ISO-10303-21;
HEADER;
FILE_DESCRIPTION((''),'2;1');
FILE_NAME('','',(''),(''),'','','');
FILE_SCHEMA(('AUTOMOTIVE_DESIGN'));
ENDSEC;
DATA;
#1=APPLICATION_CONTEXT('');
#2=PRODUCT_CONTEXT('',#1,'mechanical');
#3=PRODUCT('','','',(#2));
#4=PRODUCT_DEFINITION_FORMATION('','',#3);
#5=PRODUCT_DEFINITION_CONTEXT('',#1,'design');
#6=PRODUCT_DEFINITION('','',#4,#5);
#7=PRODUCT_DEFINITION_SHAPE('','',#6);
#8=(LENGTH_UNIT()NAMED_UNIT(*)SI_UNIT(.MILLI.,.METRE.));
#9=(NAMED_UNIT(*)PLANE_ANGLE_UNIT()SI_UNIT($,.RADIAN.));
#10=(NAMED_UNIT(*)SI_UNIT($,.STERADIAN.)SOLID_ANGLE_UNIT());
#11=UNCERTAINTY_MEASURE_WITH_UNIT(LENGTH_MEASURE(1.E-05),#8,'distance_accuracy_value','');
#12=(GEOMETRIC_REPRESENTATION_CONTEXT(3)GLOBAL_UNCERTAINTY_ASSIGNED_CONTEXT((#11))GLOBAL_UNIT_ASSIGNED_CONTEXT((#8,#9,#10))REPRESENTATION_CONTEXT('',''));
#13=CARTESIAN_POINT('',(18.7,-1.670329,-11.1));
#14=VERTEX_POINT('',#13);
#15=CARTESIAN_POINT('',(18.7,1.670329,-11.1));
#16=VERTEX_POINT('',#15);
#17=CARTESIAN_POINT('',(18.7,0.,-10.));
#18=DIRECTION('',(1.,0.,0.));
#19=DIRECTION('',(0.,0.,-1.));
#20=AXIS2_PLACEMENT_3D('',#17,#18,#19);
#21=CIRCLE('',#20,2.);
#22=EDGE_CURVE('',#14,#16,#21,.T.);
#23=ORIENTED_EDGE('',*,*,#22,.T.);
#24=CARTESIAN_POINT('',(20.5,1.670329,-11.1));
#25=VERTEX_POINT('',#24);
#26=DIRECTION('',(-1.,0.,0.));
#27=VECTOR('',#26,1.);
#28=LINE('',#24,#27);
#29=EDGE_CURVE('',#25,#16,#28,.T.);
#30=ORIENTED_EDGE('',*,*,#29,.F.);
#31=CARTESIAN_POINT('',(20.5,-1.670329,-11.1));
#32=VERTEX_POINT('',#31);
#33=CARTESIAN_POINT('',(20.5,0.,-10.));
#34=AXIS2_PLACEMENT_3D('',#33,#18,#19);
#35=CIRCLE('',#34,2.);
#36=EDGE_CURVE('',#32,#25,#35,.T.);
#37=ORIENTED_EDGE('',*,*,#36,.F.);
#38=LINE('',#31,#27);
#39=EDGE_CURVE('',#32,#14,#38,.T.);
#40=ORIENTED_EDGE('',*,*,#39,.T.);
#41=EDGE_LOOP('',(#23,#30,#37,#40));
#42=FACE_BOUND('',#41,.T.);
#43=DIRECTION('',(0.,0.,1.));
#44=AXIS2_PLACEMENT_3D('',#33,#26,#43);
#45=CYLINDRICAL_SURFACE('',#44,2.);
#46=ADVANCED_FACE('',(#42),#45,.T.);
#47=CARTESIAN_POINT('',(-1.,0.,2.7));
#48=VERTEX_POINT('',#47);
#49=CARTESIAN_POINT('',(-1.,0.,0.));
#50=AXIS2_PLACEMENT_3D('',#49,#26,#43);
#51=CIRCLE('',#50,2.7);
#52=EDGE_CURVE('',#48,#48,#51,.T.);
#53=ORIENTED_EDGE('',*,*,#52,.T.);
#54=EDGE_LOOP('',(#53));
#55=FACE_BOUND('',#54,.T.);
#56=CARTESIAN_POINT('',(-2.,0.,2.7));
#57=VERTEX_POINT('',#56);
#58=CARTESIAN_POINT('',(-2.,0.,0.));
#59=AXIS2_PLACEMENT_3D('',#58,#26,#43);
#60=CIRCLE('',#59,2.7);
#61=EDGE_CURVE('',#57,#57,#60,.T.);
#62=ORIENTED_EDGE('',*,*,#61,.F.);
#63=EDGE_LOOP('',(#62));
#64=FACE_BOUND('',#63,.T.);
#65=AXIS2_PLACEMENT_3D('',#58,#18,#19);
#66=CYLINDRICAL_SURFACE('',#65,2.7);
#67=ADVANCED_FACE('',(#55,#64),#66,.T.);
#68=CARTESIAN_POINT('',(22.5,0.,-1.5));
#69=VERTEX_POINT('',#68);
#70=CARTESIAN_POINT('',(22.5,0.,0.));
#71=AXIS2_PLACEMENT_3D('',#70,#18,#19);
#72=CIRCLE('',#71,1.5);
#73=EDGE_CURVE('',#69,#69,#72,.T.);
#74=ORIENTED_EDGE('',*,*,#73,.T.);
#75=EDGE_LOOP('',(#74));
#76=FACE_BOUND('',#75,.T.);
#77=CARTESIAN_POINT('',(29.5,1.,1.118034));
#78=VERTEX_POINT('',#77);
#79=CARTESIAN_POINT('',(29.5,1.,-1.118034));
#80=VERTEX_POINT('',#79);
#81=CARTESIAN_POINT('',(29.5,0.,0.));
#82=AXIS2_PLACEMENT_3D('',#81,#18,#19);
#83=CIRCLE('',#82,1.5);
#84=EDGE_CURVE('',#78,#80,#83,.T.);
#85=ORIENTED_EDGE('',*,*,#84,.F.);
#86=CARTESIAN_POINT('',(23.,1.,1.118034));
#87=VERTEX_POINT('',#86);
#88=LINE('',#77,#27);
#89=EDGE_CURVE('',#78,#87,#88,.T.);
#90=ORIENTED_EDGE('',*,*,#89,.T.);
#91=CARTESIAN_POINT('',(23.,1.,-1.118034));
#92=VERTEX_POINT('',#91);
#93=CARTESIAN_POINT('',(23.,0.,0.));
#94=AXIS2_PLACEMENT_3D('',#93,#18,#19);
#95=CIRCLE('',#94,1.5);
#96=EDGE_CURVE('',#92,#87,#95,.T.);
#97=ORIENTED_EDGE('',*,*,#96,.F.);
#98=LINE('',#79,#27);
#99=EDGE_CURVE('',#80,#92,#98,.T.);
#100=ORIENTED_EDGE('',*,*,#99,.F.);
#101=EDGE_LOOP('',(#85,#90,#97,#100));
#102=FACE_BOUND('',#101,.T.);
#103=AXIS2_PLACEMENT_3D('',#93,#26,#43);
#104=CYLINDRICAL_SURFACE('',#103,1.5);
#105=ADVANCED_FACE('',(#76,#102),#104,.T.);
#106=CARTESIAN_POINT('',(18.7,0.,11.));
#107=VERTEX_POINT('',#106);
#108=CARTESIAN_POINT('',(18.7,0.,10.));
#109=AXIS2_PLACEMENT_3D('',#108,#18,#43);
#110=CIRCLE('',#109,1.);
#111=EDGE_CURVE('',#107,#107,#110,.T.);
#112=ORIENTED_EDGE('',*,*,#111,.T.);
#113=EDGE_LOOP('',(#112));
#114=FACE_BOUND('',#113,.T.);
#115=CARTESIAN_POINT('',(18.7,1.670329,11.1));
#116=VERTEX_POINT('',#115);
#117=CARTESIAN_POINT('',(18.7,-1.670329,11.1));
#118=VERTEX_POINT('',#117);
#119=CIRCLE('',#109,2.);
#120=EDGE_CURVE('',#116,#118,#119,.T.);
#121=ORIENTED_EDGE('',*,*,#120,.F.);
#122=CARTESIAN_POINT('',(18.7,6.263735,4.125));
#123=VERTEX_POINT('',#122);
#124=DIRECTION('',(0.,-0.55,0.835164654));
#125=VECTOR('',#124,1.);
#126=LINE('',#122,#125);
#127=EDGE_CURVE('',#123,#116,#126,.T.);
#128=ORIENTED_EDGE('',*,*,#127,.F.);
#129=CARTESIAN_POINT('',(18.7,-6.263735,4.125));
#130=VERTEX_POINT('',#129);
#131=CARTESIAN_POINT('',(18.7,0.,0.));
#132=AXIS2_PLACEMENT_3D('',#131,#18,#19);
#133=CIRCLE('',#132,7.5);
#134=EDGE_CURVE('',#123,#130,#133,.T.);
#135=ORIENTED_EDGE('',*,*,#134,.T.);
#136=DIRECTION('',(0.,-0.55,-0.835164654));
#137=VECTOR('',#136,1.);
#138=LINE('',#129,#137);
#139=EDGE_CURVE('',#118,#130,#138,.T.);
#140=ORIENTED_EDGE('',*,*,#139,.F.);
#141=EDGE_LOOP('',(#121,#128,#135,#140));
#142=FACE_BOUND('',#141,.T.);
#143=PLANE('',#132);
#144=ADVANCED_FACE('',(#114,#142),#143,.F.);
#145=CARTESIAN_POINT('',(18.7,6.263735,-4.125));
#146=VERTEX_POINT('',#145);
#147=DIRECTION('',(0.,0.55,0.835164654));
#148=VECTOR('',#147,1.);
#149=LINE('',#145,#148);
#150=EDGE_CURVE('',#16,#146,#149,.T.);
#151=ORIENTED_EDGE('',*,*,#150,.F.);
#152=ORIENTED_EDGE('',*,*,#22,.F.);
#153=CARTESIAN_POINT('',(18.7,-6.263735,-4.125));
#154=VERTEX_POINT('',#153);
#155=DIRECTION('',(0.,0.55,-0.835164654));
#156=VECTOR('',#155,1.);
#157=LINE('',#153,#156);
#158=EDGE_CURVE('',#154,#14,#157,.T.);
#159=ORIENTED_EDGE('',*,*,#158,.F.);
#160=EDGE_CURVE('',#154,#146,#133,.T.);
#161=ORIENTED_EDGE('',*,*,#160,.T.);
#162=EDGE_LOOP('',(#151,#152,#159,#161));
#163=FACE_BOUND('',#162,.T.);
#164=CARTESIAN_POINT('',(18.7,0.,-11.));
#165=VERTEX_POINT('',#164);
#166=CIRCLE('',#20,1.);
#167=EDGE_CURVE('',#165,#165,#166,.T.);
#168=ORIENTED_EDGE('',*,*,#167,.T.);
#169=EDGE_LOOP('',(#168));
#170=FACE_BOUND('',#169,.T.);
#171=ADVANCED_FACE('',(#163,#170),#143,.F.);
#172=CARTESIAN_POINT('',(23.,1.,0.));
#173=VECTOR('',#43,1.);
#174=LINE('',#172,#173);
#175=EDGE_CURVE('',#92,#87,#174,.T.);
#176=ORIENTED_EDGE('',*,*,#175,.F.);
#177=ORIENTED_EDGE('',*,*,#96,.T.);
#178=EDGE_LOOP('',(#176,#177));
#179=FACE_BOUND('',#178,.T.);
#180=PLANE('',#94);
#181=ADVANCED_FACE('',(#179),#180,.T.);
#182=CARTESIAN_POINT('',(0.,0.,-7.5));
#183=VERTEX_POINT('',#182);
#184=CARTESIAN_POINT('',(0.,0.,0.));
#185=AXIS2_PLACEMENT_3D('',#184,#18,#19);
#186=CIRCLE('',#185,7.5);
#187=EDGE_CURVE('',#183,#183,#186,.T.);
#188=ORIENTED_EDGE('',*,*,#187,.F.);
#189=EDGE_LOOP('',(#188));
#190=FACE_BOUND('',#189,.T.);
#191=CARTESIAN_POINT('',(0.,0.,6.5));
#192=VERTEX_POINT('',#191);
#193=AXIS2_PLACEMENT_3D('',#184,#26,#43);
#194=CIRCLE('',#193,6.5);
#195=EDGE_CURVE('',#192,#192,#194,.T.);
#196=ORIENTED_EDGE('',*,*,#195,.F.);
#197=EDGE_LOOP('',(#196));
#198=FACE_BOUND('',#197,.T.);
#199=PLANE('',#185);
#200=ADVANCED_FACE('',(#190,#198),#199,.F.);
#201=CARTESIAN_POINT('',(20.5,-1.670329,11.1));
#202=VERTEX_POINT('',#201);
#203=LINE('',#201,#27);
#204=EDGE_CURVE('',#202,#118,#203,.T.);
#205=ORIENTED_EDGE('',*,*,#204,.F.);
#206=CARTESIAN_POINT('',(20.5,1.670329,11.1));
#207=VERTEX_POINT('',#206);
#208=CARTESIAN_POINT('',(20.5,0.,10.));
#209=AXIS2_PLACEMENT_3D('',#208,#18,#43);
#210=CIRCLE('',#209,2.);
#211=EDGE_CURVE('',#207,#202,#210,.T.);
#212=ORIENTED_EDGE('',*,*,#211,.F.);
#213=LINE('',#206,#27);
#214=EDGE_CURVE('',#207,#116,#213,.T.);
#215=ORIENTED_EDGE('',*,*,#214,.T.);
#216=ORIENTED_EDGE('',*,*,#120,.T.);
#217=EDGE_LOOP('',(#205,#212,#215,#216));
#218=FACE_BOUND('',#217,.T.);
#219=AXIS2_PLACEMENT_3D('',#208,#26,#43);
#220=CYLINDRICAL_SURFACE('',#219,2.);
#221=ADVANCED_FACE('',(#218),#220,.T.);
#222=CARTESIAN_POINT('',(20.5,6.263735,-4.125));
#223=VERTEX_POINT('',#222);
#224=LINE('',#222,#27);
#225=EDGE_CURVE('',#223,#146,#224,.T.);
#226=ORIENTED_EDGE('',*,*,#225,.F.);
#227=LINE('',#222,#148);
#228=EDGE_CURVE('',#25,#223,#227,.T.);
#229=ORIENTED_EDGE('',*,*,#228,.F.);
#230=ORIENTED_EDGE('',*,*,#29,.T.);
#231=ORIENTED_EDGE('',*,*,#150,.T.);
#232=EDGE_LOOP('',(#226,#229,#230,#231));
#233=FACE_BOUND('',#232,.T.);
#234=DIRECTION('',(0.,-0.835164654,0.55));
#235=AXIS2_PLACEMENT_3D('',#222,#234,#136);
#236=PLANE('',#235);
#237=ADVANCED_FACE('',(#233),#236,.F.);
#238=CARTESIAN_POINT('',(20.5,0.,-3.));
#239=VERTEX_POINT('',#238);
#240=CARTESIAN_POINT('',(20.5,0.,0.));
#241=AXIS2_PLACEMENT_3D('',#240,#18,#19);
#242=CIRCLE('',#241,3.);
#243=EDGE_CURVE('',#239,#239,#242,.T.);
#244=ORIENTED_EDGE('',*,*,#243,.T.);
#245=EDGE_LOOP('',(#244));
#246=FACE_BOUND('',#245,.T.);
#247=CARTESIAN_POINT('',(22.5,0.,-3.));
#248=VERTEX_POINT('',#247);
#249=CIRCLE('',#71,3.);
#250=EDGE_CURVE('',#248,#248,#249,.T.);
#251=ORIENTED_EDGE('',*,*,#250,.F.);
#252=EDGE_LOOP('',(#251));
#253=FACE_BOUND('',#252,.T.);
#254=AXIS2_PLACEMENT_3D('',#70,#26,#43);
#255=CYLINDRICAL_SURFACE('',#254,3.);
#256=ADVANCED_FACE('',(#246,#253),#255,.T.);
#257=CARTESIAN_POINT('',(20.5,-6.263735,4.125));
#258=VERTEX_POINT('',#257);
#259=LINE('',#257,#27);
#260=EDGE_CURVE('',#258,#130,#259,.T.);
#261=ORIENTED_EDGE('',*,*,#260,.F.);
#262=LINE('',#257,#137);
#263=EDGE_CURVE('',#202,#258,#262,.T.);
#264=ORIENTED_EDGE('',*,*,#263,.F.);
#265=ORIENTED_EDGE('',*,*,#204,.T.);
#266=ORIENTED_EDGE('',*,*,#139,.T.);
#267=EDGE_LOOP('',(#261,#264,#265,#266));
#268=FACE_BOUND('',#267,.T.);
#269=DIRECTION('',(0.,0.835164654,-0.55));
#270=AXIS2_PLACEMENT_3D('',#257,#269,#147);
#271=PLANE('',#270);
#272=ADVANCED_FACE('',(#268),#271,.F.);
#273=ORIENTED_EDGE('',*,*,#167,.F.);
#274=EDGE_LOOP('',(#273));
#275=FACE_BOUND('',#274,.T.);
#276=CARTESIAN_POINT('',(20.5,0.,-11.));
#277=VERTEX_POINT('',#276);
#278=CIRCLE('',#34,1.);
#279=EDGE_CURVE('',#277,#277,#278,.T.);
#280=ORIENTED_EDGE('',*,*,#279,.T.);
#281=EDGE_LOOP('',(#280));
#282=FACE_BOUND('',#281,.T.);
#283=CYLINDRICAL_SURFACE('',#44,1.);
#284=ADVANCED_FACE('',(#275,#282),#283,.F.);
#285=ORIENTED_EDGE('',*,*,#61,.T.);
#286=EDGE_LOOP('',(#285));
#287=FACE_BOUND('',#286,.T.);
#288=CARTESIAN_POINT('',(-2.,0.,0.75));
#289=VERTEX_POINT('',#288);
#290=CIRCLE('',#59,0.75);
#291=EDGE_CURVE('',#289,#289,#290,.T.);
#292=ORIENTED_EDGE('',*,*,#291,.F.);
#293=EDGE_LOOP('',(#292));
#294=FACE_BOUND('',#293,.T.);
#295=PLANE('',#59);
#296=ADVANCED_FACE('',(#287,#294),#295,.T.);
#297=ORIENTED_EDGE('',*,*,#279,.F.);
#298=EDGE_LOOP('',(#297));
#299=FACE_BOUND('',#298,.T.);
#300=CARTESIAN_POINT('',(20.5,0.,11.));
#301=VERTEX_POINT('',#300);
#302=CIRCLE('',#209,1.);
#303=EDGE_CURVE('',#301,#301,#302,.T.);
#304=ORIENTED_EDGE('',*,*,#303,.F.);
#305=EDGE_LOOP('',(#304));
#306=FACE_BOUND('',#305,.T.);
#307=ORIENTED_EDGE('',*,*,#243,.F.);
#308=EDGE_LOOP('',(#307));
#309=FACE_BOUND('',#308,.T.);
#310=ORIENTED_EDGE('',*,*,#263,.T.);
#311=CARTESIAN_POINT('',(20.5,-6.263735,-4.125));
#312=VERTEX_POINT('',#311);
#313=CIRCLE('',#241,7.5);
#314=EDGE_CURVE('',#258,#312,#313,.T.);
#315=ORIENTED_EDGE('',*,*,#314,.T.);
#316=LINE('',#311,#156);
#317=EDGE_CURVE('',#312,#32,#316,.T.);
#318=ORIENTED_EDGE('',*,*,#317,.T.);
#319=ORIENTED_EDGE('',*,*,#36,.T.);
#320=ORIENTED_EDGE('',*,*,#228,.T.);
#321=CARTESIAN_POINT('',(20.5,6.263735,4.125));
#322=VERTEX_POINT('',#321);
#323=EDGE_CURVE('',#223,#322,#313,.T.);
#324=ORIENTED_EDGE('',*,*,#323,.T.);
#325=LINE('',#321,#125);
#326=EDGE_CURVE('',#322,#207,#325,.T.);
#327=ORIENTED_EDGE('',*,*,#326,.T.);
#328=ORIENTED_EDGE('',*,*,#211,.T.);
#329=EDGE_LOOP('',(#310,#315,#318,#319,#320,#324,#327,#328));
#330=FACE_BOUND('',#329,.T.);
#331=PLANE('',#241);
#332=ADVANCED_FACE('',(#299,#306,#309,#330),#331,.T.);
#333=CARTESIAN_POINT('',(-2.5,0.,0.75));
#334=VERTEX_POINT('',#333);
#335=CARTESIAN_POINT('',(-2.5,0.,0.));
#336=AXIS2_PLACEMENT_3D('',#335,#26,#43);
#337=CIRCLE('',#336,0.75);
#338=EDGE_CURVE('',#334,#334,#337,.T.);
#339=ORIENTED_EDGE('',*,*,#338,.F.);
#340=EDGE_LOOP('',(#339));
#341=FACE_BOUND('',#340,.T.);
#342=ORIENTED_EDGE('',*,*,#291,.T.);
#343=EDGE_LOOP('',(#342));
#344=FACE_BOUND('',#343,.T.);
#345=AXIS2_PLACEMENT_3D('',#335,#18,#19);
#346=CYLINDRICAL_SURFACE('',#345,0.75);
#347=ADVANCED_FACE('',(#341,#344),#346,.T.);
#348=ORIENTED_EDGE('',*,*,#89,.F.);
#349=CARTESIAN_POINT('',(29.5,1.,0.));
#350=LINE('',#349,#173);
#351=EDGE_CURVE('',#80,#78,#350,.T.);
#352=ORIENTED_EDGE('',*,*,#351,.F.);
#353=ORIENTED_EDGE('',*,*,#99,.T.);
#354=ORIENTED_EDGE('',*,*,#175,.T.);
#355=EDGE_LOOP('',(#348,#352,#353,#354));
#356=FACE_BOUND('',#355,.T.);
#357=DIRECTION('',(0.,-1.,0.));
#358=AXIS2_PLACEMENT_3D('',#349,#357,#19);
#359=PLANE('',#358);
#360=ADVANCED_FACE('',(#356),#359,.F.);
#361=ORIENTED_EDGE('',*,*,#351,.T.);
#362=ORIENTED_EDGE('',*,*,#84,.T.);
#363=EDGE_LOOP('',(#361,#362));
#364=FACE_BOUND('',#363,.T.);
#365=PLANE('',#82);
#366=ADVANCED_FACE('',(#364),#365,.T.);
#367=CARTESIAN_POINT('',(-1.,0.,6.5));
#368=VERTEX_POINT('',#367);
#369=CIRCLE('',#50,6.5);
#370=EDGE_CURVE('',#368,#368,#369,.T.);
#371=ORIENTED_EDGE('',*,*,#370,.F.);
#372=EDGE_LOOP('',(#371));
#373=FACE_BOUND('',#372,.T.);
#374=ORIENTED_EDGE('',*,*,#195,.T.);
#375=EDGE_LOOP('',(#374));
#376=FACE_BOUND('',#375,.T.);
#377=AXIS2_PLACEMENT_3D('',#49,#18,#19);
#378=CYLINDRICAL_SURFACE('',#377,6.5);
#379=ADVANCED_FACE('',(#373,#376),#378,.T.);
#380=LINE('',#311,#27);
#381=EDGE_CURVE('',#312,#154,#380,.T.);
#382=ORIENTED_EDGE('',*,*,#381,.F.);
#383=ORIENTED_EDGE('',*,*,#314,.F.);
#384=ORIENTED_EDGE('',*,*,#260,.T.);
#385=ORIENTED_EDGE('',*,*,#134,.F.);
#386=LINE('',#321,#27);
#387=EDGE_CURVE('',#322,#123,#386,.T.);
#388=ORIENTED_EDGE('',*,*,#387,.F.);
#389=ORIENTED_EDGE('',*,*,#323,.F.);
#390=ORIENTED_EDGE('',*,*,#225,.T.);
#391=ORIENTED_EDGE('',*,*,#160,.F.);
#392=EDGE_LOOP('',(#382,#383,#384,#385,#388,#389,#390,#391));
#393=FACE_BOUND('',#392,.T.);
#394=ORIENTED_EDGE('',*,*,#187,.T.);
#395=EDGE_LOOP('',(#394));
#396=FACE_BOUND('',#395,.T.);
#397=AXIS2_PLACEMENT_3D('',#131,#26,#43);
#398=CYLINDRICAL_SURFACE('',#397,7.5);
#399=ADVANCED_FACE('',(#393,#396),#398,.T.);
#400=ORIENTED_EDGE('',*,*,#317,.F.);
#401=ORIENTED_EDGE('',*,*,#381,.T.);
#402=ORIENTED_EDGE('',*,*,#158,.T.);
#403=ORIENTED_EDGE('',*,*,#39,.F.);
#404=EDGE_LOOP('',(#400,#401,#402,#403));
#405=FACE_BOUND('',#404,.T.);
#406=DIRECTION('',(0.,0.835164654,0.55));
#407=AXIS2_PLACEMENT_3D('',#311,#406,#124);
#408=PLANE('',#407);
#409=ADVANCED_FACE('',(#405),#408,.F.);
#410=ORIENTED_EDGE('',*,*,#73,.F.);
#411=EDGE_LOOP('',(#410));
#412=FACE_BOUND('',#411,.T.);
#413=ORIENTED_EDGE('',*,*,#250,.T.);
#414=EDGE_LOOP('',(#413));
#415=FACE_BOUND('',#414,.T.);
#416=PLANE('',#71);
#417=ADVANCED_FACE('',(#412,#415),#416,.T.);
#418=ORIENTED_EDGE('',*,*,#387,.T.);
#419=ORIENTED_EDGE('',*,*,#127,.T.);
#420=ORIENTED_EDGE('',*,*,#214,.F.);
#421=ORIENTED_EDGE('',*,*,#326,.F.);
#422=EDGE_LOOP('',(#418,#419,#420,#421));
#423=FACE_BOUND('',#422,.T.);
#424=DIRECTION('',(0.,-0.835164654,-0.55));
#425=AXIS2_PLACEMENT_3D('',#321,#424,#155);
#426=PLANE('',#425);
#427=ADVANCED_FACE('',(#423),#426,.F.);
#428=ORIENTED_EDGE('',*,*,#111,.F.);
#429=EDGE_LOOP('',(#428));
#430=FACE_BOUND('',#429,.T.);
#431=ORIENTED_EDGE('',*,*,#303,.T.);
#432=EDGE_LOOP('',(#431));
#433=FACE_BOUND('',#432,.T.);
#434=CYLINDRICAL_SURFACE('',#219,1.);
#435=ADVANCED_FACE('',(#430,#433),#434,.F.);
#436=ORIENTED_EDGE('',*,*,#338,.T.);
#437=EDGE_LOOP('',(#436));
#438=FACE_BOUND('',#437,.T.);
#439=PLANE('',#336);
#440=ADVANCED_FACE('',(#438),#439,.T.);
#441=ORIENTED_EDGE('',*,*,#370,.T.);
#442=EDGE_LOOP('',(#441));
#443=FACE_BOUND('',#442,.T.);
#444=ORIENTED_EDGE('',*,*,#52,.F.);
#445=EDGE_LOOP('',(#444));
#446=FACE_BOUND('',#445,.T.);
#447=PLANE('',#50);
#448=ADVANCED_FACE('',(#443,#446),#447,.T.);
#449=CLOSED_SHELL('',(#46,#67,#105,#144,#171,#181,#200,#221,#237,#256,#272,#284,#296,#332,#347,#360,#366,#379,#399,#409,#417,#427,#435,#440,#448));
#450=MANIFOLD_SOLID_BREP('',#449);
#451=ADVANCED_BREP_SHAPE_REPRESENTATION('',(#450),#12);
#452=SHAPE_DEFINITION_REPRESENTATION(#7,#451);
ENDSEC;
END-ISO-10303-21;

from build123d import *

# Parameters (mm, degrees)
SKETCH_1_R      = 7.5
EXTRUDE_1_DEPTH = 18.7
SKETCH_2_R      = 1
EXTRUDE_2_DEPTH = 1.8
SKETCH_3_R      = 6.5
EXTRUDE_3_DEPTH = 1
SKETCH_4_R      = 2.7
EXTRUDE_4_DEPTH = 1
SKETCH_5_R      = 0.75
EXTRUDE_5_DEPTH = 0.5
SKETCH_6_R      = 3
EXTRUDE_6_DEPTH = 2
SKETCH_7_R      = 1.5
EXTRUDE_7_DEPTH = 0.5
EXTRUDE_8_DEPTH = 6.5


with BuildPart() as part:
    # 草图1 → 凸台-拉伸1 (new body)
    with BuildSketch(Plane(origin=(0, 0, 0), x_dir=(0, 0, -1), z_dir=(1, 0, 0))):
        Circle(SKETCH_1_R)
    extrude(amount=EXTRUDE_1_DEPTH)

    # 草图2 → 凸台-拉伸2 (add)
    with BuildSketch(Plane(origin=(18.7, 0, 0), x_dir=(0, 0, -1), z_dir=(1, 0, 0))):
        with BuildLine():
            Line((4.125, 6.263734908), (11.1, 1.670329309))
            ThreePointArc((11.1, 1.670329309), (12, 0), (11.1, -1.670329309))
            Line((11.1, -1.670329309), (4.125, -6.263734908))
            ThreePointArc((4.125, -6.263734908), (0, -7.5), (-4.125, -6.263734908))
            Line((-4.125, -6.263734908), (-11.1, -1.670329309))
            ThreePointArc((-11.1, -1.670329309), (-12, 0), (-11.1, 1.670329309))
            Line((-11.1, 1.670329309), (-4.125, 6.263734908))
            ThreePointArc((-4.125, 6.263734908), (0, 7.5), (4.125, 6.263734908))
        make_face()
        with Locations((10, 0)):
            Circle(SKETCH_2_R, mode=Mode.SUBTRACT)
        with Locations((-10, 0)):
            Circle(SKETCH_2_R, mode=Mode.SUBTRACT)
    extrude(amount=EXTRUDE_2_DEPTH)

    # 草图3 → 凸台-拉伸3 (add)
    with BuildSketch(Plane.ZY):
        Circle(SKETCH_3_R)
    extrude(amount=EXTRUDE_3_DEPTH)

    # 草图4 → 凸台-拉伸4 (add)
    with BuildSketch(Plane.ZY.offset(1)):
        Circle(SKETCH_4_R)
    extrude(amount=EXTRUDE_4_DEPTH)

    # 草图5 → 凸台-拉伸5 (add)
    with BuildSketch(Plane.ZY.offset(2)):
        Circle(SKETCH_5_R)
    extrude(amount=EXTRUDE_5_DEPTH)

    # 草图6 → 凸台-拉伸6 (add)
    with BuildSketch(Plane(origin=(20.5, 0, 0), x_dir=(0, 0, -1), z_dir=(1, 0, 0))):
        Circle(SKETCH_6_R)
    extrude(amount=EXTRUDE_6_DEPTH)

    # 草图7 → 凸台-拉伸7 (add)
    with BuildSketch(Plane(origin=(22.5, 0, 0), x_dir=(0, 0, -1), z_dir=(1, 0, 0))):
        Circle(SKETCH_7_R)
    extrude(amount=EXTRUDE_7_DEPTH)

    # 草图8 → 凸台-拉伸8 (add)
    with BuildSketch(Plane(origin=(23, 0, 0), x_dir=(0, 0, -1), z_dir=(1, 0, 0))):
        with BuildLine():
            Line((0, 1), (1.118033989, 1))
            ThreePointArc((1.118033989, 1), (0, -1.5), (-1.118033989, 1))
            Line((-1.118033989, 1), (0, 1))
        make_face()
    extrude(amount=EXTRUDE_8_DEPTH)


solid = part.part
